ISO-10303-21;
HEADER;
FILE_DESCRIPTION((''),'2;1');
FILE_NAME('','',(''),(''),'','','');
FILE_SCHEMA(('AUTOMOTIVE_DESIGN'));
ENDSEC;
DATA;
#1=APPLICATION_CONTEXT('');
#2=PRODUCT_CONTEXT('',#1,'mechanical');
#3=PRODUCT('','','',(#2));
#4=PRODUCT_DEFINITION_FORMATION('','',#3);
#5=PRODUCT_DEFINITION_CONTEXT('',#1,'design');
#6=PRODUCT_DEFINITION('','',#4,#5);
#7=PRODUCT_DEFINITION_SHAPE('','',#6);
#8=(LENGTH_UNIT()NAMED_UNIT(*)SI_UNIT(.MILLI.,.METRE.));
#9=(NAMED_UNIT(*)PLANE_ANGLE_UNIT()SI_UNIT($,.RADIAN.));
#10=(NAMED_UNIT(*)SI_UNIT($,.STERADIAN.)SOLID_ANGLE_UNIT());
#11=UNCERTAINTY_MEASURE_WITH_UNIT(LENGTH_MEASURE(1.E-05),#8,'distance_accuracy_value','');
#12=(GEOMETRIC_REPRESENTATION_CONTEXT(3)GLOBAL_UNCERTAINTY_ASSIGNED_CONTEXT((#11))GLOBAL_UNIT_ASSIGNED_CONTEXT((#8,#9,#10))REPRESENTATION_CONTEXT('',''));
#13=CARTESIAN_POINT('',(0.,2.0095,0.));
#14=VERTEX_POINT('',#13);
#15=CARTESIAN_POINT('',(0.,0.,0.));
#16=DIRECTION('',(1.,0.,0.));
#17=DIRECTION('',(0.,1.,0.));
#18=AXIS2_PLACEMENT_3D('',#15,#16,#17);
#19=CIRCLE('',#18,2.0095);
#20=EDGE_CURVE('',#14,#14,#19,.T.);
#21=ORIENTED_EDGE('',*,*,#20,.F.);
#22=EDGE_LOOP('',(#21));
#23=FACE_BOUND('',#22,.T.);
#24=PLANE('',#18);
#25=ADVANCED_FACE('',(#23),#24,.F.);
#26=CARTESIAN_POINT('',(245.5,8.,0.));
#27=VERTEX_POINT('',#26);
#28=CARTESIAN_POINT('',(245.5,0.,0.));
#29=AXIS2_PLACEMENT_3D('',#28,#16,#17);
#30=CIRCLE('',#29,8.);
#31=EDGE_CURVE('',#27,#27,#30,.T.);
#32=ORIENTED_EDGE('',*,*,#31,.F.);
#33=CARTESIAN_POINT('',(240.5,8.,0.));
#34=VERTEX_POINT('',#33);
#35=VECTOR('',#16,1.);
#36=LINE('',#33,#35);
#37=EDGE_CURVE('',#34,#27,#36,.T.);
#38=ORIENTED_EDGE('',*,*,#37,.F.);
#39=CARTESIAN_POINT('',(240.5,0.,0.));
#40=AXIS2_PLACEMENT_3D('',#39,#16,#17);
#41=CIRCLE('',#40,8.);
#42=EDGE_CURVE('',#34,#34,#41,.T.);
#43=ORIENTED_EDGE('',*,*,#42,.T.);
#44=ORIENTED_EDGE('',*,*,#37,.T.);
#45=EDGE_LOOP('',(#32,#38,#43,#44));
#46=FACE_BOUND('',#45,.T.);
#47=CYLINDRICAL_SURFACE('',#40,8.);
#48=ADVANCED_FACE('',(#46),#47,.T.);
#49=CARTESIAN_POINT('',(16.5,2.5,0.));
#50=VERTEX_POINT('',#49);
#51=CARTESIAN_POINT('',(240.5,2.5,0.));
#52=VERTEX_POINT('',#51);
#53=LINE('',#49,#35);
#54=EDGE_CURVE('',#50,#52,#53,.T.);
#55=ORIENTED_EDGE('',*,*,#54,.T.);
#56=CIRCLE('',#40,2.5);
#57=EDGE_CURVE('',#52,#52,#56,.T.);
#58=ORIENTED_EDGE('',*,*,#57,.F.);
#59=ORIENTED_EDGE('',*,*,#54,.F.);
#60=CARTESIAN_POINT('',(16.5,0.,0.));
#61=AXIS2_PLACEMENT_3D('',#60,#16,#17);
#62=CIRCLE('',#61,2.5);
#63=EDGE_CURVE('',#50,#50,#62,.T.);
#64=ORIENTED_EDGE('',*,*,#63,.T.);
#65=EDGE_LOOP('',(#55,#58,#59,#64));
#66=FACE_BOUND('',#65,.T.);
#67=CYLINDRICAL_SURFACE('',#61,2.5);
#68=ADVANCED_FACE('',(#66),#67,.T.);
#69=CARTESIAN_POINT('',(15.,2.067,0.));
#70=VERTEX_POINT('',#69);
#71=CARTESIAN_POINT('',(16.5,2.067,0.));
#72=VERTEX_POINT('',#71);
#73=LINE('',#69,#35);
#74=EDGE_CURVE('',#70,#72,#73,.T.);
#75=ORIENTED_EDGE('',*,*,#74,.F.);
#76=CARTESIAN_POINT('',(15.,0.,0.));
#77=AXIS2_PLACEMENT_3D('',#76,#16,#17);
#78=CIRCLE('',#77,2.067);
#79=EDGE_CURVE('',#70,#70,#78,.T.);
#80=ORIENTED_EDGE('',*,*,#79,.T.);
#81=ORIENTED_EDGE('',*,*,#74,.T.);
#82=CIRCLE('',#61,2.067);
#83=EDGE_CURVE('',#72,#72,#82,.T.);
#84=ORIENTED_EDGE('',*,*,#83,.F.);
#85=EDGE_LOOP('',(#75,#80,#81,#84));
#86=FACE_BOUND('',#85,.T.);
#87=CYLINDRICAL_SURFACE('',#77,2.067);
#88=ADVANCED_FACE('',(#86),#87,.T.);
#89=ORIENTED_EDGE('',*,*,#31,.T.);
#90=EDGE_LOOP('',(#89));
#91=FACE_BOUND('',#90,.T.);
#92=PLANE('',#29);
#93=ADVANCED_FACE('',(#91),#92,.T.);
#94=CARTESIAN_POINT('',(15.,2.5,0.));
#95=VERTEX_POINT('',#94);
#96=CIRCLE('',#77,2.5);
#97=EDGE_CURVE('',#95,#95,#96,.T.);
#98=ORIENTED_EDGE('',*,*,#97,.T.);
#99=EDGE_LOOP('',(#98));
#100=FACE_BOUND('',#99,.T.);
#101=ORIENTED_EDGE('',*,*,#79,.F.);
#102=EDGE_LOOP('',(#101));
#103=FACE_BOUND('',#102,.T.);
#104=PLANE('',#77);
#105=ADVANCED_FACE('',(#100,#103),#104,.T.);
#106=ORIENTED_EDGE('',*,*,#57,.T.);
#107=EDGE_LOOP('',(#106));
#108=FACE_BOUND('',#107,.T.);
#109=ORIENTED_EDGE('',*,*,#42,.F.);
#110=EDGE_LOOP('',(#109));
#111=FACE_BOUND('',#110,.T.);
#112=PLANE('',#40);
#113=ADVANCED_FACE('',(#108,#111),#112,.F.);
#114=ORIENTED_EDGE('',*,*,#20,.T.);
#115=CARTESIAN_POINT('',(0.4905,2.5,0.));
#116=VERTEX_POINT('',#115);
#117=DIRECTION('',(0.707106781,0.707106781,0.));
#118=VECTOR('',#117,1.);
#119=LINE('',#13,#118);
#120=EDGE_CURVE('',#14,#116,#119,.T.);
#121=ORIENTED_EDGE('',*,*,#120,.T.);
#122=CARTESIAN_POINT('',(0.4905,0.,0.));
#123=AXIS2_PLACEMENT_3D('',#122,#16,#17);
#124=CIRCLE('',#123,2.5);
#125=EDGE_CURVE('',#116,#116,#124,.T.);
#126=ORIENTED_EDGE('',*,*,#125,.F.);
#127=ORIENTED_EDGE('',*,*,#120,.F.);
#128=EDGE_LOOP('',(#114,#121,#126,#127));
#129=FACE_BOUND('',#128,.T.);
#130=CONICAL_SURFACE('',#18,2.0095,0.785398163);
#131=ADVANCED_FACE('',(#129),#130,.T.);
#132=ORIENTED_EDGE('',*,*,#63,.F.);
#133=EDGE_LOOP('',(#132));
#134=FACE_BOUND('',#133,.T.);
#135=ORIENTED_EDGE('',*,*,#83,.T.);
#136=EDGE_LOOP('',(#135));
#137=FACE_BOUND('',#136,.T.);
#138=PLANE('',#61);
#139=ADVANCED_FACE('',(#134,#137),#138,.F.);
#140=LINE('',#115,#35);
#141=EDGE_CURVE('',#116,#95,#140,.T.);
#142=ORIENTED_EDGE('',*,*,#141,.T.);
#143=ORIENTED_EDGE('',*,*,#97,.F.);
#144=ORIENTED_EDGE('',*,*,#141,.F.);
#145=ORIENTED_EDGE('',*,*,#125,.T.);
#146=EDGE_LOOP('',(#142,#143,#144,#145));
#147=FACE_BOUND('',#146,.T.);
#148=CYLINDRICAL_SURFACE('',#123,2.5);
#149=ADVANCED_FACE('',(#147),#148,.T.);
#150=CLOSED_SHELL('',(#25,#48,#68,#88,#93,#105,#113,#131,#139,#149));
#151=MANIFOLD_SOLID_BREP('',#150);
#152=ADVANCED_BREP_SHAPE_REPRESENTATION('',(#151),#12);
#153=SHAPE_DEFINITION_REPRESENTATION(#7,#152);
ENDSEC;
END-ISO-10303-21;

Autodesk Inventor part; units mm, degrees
sketch "Sketch_5" plane through (0, 0, 0) normal (0, 0, 1) x (1, 0, 0)
  line L0 (245.5, 0) -> (0, 0)
  line L1 (0, 0) -> (0, 2.0095)
  line L2 (0, 2.0095) -> (0.4905, 2.5)
  line L3 (0.4905, 2.5) -> (15, 2.5)
  line L4 (15, 2.5) -> (15, 2.067)
  line L5 (15, 2.067) -> (16.5, 2.067)
  line L6 (16.5, 2.067) -> (16.5, 2.5)
  line L7 (16.5, 2.5) -> (240.5, 2.5)
  line L8 (240.5, 2.5) -> (240.5, 8)
  line L9 (240.5, 8) -> (245.5, 8)
  line L10 (245.5, 8) -> (245.5, 0)
  line L11 (245.5, 0) -> (0, 0)
revolve "Revolution1" add sketch "Sketch_5" angle 360 about axis through (245.5, 0, 0) along (1, 0, 0)
thread "Thread1" size "M5x0.8" class "6g" standard "ISO Metric profile" full length
ref_plane "ROD_BA_XY" through (10, 0, 0) normal (-1, 0, 0) x (0, 0, -1)
ref_plane "ROD_BA_YZ" through (10, 0, 0) normal (0, 0, -1) x (0, -1, 0)
ref_plane "ROD_BA_ZX" through (10, 0, 0) normal (0, -1, 0) x (-1, 0, 0)
ref_plane "ROD_BODY_XY" through (28, 0, 0) normal (-1, 0, 0) x (0, 0, -1)
ref_plane "ROD_BODY_YZ" through (28, 0, 0) normal (0, 0, -1) x (0, -1, 0)
ref_plane "ROD_BODY_ZX" through (28, 0, 0) normal (0, -1, 0) x (-1, 0, 0)
ref_plane "rodnt1_XY" through (7.5, 0, 0) normal (1, 0, 0) x (0, 0, -1)
ref_plane "rodnt1_YZ" through (7.5, 0, 0) normal (0, 0, -1) x (0, 1, 0)
ref_plane "rodnt1_ZX" through (7.5, 0, 0) normal (0, 1, 0) x (1, 0, 0)
properties part number "CJ2B16-200Z_ROD" material "鉄、鋳鉄"
